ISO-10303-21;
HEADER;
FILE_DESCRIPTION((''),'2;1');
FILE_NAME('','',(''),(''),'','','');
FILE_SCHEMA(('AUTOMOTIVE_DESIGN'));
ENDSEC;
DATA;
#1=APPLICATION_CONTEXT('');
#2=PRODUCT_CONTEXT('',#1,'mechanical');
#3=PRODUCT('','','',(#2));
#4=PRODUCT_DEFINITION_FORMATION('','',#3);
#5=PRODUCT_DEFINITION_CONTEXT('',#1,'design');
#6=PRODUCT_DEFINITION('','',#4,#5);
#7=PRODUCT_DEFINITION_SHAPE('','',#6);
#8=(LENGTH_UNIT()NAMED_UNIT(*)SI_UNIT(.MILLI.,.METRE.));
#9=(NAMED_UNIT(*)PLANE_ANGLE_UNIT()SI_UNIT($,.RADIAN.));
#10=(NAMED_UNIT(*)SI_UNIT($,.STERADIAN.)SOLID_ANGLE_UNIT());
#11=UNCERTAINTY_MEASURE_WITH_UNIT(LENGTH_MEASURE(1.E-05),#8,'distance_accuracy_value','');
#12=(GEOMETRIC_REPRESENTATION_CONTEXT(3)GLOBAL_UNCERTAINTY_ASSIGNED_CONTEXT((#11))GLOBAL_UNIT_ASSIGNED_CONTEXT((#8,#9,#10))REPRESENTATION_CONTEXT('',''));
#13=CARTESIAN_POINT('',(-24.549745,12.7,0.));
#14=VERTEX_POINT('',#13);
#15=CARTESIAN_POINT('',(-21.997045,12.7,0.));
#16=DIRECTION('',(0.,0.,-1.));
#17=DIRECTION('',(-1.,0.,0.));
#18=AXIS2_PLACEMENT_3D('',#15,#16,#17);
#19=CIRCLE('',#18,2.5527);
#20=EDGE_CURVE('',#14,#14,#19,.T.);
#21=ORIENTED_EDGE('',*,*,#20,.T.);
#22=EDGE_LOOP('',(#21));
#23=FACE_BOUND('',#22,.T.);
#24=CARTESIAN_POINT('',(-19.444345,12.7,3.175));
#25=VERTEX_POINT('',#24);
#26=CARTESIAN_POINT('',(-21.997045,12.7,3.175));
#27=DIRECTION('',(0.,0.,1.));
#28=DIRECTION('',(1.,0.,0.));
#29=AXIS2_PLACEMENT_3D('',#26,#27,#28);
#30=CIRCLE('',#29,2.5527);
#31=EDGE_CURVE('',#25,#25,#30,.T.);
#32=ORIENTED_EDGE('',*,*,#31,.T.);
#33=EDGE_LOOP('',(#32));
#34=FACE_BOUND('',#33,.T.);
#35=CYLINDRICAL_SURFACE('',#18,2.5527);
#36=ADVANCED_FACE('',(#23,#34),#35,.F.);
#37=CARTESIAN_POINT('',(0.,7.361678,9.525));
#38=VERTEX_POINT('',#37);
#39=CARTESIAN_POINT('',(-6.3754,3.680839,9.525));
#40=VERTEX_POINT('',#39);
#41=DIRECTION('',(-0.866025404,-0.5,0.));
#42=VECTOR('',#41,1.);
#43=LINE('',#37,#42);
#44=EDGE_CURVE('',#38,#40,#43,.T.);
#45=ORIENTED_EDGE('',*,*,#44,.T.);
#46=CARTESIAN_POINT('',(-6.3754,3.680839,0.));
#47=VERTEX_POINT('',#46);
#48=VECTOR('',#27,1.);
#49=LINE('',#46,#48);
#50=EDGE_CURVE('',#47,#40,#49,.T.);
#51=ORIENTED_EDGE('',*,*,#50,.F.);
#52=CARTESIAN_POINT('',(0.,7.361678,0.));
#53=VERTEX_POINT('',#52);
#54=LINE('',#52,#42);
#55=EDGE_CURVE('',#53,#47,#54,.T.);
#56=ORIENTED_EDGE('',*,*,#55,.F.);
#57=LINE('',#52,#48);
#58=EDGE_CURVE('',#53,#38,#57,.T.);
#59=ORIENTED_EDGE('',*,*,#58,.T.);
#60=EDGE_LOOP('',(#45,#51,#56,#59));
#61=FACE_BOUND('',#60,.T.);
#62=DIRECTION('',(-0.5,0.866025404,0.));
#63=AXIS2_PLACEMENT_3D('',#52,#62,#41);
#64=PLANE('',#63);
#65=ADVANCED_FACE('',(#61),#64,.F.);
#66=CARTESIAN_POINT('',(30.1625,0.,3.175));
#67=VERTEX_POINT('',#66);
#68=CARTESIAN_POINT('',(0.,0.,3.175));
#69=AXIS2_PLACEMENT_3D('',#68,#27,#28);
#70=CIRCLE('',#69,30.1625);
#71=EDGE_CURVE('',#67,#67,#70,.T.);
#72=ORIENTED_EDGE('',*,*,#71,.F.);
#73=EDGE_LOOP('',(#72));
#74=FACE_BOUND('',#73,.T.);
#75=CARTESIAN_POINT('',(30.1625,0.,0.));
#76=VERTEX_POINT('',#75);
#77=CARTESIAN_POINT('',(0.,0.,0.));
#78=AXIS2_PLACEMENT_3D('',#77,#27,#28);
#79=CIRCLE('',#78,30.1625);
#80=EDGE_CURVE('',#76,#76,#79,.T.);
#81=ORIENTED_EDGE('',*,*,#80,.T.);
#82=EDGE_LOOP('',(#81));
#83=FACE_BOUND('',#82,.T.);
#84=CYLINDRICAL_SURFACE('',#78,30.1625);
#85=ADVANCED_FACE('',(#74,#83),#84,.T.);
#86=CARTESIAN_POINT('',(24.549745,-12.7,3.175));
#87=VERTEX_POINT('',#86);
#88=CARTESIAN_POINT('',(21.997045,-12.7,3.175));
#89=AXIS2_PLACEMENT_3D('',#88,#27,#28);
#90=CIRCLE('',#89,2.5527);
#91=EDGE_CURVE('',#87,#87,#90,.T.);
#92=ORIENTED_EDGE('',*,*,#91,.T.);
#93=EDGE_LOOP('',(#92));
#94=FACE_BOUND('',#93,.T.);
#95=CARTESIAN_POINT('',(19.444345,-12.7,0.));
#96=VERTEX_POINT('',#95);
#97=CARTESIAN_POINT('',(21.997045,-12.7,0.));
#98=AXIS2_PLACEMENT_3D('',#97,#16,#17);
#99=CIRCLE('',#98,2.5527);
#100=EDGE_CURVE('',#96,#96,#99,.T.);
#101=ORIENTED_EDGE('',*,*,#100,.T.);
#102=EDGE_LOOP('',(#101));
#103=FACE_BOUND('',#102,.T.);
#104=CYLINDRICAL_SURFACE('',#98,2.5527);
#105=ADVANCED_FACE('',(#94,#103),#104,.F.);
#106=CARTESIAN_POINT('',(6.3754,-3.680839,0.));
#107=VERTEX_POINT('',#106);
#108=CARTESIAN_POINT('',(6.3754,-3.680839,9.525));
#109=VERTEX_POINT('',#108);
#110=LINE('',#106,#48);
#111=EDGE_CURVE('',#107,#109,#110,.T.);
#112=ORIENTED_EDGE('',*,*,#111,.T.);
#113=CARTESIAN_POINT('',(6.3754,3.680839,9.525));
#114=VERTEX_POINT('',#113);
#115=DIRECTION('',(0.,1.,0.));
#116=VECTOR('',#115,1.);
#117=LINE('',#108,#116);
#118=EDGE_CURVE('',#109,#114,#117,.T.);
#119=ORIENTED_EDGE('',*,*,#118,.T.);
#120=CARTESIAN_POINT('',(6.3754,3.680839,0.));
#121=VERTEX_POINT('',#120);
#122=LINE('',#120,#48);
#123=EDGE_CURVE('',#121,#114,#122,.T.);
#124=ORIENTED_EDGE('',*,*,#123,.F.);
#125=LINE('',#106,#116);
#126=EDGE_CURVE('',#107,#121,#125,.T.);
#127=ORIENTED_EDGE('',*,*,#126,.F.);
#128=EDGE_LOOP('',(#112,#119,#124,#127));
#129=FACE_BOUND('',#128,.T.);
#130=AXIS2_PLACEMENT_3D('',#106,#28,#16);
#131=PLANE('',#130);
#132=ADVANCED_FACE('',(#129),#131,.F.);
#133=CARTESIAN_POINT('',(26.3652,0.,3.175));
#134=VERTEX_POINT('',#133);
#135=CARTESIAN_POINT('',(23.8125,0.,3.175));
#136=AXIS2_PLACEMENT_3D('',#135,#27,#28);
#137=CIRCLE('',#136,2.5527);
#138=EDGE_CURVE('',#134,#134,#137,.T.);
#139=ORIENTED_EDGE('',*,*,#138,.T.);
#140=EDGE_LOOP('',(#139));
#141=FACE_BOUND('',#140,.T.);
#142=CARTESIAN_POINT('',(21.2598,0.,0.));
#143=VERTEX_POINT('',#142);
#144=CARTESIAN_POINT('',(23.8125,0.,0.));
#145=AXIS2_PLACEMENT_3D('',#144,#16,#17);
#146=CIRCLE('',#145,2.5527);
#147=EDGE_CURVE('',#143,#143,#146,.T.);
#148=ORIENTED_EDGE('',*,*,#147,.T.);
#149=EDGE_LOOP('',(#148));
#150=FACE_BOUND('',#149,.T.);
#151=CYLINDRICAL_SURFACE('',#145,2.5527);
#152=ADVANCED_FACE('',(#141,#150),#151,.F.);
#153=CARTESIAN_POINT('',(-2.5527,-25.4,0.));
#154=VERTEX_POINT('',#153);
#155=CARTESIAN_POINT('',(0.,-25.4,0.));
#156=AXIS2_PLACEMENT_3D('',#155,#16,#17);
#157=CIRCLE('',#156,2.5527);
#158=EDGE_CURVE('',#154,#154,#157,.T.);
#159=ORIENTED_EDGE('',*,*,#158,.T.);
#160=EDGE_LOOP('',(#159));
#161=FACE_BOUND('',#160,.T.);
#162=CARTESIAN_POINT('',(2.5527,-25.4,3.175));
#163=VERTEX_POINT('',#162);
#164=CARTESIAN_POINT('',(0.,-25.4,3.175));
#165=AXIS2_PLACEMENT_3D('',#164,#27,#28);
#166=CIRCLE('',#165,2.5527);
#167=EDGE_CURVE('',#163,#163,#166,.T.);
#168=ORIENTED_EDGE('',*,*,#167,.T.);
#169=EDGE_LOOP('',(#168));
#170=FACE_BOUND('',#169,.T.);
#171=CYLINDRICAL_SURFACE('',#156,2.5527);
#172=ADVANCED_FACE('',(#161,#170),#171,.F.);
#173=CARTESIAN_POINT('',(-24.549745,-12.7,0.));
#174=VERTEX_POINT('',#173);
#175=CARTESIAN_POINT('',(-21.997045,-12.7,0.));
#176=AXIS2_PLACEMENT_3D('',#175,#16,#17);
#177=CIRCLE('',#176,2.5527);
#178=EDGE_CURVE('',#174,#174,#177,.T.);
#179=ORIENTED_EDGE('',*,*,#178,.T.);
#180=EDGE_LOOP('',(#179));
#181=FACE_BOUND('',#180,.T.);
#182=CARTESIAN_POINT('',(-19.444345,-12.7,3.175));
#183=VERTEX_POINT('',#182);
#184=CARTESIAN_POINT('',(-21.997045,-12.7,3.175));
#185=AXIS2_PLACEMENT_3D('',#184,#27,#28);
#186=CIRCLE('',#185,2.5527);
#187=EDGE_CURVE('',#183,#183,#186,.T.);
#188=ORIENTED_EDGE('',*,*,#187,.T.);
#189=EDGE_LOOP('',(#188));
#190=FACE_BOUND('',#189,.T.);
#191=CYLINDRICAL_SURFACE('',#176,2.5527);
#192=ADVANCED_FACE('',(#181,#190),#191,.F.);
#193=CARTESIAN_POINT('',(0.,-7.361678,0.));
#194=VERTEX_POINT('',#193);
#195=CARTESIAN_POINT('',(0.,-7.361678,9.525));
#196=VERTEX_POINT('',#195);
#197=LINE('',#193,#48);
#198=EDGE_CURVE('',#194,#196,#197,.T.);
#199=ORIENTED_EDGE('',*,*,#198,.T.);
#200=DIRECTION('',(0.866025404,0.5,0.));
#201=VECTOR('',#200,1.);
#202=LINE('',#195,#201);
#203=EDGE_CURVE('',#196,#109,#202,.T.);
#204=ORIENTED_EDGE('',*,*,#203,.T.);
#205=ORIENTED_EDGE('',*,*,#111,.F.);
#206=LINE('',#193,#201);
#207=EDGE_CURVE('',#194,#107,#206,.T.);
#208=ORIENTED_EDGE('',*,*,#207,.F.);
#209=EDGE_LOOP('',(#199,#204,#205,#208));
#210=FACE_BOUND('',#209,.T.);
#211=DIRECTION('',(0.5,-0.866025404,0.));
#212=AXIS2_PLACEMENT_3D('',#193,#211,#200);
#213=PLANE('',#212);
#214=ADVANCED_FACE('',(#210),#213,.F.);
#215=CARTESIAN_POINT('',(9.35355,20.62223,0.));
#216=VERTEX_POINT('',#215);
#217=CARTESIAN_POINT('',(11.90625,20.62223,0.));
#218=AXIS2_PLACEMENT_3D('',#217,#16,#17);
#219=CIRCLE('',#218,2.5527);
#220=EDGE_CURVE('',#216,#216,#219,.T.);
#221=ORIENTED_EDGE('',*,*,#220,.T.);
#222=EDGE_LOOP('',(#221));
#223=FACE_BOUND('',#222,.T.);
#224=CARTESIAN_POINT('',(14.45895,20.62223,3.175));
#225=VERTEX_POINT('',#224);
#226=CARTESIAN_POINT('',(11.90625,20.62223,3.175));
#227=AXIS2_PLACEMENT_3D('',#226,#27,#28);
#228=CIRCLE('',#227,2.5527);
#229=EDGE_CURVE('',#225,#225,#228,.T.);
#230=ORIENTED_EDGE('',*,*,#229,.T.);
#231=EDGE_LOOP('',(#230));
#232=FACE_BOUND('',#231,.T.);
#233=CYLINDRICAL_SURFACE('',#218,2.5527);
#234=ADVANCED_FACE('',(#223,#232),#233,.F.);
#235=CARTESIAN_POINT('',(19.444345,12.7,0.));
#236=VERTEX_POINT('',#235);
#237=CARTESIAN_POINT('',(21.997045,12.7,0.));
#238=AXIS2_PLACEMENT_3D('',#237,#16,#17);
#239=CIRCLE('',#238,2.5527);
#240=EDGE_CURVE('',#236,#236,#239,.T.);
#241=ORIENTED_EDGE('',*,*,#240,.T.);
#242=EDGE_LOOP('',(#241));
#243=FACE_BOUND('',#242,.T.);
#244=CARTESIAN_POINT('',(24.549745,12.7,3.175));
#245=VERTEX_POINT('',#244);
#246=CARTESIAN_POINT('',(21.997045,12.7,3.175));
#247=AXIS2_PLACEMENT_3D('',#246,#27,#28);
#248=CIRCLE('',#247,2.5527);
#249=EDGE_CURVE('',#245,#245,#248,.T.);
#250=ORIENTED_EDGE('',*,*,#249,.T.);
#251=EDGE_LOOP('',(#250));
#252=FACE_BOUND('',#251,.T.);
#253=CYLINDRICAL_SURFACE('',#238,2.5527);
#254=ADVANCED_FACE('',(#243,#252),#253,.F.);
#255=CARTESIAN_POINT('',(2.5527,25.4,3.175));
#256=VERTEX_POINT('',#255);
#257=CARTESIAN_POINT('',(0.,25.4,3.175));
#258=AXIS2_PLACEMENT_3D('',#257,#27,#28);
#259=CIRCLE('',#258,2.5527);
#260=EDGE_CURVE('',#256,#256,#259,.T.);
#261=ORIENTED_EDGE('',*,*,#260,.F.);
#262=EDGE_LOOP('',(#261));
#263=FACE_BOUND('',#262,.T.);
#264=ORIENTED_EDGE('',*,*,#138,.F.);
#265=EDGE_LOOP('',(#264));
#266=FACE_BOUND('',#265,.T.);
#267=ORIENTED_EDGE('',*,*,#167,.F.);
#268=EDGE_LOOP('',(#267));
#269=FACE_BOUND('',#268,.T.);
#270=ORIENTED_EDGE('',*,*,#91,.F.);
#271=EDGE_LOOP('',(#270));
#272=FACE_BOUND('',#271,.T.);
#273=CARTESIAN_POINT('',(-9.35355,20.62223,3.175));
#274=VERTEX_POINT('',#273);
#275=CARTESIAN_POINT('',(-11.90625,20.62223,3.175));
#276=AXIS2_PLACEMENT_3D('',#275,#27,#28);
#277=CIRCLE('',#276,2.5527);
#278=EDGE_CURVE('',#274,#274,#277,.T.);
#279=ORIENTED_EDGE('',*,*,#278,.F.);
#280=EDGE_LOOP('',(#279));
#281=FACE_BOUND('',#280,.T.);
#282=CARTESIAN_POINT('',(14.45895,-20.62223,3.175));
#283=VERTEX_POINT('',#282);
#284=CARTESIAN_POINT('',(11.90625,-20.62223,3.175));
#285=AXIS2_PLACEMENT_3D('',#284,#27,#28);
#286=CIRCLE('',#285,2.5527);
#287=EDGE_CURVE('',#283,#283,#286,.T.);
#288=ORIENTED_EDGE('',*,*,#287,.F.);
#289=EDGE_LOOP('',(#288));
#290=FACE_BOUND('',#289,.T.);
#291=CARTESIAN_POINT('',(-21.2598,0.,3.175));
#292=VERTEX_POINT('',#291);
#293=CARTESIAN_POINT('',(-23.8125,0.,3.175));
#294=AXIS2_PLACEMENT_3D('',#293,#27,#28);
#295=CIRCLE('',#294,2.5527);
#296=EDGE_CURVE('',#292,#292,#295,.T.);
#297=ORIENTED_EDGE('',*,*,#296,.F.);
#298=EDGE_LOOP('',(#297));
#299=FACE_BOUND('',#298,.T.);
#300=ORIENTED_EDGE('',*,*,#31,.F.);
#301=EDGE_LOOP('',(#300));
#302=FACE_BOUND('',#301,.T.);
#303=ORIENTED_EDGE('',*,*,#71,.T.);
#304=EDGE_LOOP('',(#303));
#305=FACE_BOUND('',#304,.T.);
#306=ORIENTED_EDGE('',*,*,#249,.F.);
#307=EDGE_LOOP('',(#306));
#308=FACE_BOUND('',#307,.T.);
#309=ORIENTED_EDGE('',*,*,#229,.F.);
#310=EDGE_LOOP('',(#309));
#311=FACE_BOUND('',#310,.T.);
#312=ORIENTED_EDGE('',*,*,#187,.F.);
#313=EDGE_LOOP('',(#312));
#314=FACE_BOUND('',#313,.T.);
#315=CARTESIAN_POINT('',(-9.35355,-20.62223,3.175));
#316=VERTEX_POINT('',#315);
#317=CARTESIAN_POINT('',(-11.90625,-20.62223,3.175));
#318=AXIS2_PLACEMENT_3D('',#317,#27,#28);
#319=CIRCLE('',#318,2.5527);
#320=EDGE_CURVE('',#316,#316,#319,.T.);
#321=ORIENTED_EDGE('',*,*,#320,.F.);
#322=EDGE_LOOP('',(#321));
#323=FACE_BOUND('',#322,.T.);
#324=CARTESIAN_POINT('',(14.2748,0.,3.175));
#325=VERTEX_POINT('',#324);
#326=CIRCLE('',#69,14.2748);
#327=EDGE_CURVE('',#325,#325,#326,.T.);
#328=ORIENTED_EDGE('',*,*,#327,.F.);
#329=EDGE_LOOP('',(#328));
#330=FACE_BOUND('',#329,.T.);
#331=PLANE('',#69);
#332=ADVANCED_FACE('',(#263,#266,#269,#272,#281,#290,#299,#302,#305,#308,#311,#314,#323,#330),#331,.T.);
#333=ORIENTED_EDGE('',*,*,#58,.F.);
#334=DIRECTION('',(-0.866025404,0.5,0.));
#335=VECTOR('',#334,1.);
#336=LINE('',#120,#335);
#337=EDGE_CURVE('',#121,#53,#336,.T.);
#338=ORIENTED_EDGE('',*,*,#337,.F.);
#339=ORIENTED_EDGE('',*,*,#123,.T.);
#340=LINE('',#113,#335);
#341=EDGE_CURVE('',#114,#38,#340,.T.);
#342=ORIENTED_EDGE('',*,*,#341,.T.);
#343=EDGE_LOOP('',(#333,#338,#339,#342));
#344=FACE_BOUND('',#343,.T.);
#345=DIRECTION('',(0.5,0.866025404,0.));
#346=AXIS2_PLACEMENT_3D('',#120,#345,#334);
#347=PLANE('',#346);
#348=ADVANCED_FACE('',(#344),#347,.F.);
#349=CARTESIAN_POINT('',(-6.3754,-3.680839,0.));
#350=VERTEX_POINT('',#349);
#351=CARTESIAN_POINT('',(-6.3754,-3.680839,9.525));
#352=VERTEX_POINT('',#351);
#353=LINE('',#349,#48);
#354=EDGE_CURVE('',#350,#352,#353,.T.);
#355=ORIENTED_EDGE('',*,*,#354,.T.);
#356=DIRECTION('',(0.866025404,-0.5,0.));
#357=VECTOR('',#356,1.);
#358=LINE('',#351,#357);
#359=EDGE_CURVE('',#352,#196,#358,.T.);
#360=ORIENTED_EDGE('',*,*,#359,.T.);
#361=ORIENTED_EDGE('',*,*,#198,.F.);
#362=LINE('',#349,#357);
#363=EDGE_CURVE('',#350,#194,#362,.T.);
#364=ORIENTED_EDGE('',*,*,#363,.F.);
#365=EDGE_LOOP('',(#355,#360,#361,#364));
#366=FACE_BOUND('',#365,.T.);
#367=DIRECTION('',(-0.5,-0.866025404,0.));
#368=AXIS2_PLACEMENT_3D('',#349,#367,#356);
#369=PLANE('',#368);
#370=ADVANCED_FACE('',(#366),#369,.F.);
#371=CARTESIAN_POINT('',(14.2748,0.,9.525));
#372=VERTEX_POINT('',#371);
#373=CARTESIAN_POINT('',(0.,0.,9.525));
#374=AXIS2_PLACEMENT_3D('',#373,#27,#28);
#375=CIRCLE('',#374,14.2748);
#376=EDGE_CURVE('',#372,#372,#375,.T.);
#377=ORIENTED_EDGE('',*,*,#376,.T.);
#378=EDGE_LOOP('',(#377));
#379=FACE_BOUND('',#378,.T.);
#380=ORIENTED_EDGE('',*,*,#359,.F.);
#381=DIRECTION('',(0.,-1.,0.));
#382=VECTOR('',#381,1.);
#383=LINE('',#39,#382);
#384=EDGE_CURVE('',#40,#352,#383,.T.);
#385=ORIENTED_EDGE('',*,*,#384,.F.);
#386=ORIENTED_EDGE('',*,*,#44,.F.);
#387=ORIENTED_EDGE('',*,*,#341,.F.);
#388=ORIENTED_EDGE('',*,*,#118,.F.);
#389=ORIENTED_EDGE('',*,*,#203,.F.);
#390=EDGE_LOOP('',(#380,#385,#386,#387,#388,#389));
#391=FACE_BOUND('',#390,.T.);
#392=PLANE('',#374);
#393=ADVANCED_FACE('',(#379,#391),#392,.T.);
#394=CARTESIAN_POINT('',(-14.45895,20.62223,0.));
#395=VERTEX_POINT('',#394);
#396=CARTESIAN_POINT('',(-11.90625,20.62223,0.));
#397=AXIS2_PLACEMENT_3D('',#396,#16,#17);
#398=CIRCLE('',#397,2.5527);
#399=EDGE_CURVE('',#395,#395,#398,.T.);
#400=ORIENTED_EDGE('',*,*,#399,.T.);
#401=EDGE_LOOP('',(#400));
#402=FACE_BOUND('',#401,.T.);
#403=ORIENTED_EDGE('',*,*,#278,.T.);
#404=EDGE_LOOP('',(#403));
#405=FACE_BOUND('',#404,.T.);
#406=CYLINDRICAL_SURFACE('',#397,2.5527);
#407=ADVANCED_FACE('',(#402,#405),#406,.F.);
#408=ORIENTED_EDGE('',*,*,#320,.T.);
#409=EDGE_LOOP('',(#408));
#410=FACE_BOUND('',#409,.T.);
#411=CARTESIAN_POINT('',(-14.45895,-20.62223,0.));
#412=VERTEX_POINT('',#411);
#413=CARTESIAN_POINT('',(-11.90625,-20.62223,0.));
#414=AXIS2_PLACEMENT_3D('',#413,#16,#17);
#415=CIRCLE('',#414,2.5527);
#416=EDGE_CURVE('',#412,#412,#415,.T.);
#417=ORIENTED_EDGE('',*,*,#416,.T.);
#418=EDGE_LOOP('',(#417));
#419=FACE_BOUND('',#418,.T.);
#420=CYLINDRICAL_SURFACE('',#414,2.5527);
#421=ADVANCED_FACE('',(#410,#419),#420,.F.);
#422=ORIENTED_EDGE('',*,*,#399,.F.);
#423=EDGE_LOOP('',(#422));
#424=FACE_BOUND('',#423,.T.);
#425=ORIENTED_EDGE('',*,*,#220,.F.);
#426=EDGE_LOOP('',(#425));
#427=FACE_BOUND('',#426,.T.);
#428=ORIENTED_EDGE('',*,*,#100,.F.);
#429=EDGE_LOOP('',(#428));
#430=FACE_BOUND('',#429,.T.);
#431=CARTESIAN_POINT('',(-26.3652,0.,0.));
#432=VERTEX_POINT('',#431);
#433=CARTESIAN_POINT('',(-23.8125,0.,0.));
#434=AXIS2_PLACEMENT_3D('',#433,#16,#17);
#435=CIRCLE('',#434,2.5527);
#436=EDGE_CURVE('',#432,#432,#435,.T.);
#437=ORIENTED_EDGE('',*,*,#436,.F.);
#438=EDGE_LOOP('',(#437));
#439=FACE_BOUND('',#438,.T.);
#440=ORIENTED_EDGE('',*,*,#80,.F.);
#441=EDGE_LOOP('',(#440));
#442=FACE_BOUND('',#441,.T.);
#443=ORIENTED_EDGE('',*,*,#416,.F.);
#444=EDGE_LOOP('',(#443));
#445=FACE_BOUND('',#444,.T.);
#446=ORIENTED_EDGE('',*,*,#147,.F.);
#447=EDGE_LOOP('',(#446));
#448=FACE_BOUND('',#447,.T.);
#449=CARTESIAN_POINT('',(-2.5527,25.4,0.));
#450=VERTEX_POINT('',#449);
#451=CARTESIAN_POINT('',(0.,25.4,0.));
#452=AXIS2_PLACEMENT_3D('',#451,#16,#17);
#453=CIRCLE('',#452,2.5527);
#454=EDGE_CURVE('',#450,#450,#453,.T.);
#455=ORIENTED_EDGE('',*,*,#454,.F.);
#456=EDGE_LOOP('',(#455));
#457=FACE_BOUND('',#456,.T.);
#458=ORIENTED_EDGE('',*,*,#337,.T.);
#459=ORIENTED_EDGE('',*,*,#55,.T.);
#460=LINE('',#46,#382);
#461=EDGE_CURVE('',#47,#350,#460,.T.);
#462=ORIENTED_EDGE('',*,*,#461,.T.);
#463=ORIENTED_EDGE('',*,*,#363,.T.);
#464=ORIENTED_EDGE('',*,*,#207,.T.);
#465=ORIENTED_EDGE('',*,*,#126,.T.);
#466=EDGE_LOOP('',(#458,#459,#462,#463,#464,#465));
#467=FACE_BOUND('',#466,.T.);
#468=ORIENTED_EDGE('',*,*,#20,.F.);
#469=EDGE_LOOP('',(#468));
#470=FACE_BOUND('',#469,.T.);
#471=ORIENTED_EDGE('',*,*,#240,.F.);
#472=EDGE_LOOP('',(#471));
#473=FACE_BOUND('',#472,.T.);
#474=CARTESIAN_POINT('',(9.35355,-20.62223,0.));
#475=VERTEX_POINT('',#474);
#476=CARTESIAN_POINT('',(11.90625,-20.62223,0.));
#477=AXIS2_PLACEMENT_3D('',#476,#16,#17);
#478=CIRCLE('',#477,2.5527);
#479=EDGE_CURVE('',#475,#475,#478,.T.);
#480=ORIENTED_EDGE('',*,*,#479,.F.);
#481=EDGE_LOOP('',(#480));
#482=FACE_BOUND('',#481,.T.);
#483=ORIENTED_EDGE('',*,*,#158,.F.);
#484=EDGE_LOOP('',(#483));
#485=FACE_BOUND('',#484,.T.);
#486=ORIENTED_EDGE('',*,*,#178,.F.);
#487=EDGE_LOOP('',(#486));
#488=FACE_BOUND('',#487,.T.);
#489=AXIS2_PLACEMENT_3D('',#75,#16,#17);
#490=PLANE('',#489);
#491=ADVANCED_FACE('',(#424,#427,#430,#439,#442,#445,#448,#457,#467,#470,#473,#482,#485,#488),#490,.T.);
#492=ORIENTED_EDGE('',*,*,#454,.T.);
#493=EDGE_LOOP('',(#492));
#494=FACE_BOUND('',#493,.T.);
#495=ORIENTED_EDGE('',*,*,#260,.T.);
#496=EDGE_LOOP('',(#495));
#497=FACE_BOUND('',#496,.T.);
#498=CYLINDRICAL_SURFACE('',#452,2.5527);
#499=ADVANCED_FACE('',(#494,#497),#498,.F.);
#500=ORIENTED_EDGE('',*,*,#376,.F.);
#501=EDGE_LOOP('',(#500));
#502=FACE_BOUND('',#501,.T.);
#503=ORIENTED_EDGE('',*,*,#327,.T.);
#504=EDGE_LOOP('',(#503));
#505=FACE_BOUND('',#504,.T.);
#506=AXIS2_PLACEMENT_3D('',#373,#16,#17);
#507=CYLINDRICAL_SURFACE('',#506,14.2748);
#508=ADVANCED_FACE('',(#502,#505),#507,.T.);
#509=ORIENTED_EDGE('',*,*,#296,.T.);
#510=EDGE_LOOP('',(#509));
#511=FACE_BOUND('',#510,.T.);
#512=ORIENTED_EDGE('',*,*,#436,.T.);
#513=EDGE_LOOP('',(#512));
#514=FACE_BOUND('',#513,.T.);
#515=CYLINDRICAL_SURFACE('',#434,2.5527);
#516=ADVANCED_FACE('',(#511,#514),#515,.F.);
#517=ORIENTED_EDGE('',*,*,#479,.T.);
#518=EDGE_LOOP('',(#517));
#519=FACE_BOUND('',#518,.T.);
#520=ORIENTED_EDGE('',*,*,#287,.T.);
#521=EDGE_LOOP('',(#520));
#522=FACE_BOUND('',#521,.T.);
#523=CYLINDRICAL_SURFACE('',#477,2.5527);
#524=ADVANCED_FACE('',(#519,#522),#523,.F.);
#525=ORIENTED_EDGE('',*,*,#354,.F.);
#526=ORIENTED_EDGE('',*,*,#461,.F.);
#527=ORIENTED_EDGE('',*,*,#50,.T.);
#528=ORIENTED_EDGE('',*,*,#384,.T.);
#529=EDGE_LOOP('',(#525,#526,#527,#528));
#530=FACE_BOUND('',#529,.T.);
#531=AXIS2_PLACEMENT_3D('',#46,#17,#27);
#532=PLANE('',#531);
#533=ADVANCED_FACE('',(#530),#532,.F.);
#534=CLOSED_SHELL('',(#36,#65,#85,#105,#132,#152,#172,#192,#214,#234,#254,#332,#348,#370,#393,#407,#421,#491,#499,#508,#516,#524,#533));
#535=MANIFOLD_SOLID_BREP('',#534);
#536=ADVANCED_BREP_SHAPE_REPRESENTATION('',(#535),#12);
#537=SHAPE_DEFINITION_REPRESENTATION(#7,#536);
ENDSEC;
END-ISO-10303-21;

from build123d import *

# Parameters (mm, degrees)
SKETCH1_W           = 30.1625
SKETCH1_H           = 3.175
SKETCH2_R           = 14.2748
BOSS_EXTRUDE1_DEPTH = 6.35
CUT_EXTRUDE1_DEPTH  = 10.525
HOLE1_D             = 5.1054
HOLE1_DEPTH         = 9.525


with BuildPart() as part:
    # Sketch1 → Revolve1 (revolve)
    with BuildSketch(Plane(origin=(0, 0, 0), x_dir=(1, 0, 0), z_dir=(0, 1, 0))):
        with Locations((15.08125, -1.5875)):
            Rectangle(SKETCH1_W, SKETCH1_H)
    revolve(axis=Axis((0, 0, 0), (0, 0, 1)))

    # Sketch2 → Boss-Extrude1 (add)
    with BuildSketch(Plane.XY.offset(3.175)):
        Circle(SKETCH2_R)
    extrude(amount=BOSS_EXTRUDE1_DEPTH)

    # Sketch3 → Cut-Extrude1 (cut, through all)
    with BuildSketch(Plane.XY.offset(9.525)):
        Polygon((0, -7.361677812), (6.3754, -3.680838906), (6.3754, 3.680838906), (0, 7.361677812), (-6.3754, 3.680838906), (-6.3754, -3.680838906), align=None)
    extrude(amount=-CUT_EXTRUDE1_DEPTH, mode=Mode.SUBTRACT)

    # Hole1
    with Locations(Plane(origin=(0, 0, 0), x_dir=(-1, 0, 0), z_dir=(0, 0, -1))):
        with Locations((11.90625, 20.622229928), (0, 25.4), (23.8125, 0), (21.997045256, 12.7), (11.90625, -20.622229928), (21.997045256, -12.7), (-11.90625, -20.622229928), (0, -25.4), (-23.8125, 0), (-21.997045256, -12.7), (-11.90625, 20.622229928), (-21.997045256, 12.7)):
            Hole(HOLE1_D / 2, depth=HOLE1_DEPTH)


solid = part.part
